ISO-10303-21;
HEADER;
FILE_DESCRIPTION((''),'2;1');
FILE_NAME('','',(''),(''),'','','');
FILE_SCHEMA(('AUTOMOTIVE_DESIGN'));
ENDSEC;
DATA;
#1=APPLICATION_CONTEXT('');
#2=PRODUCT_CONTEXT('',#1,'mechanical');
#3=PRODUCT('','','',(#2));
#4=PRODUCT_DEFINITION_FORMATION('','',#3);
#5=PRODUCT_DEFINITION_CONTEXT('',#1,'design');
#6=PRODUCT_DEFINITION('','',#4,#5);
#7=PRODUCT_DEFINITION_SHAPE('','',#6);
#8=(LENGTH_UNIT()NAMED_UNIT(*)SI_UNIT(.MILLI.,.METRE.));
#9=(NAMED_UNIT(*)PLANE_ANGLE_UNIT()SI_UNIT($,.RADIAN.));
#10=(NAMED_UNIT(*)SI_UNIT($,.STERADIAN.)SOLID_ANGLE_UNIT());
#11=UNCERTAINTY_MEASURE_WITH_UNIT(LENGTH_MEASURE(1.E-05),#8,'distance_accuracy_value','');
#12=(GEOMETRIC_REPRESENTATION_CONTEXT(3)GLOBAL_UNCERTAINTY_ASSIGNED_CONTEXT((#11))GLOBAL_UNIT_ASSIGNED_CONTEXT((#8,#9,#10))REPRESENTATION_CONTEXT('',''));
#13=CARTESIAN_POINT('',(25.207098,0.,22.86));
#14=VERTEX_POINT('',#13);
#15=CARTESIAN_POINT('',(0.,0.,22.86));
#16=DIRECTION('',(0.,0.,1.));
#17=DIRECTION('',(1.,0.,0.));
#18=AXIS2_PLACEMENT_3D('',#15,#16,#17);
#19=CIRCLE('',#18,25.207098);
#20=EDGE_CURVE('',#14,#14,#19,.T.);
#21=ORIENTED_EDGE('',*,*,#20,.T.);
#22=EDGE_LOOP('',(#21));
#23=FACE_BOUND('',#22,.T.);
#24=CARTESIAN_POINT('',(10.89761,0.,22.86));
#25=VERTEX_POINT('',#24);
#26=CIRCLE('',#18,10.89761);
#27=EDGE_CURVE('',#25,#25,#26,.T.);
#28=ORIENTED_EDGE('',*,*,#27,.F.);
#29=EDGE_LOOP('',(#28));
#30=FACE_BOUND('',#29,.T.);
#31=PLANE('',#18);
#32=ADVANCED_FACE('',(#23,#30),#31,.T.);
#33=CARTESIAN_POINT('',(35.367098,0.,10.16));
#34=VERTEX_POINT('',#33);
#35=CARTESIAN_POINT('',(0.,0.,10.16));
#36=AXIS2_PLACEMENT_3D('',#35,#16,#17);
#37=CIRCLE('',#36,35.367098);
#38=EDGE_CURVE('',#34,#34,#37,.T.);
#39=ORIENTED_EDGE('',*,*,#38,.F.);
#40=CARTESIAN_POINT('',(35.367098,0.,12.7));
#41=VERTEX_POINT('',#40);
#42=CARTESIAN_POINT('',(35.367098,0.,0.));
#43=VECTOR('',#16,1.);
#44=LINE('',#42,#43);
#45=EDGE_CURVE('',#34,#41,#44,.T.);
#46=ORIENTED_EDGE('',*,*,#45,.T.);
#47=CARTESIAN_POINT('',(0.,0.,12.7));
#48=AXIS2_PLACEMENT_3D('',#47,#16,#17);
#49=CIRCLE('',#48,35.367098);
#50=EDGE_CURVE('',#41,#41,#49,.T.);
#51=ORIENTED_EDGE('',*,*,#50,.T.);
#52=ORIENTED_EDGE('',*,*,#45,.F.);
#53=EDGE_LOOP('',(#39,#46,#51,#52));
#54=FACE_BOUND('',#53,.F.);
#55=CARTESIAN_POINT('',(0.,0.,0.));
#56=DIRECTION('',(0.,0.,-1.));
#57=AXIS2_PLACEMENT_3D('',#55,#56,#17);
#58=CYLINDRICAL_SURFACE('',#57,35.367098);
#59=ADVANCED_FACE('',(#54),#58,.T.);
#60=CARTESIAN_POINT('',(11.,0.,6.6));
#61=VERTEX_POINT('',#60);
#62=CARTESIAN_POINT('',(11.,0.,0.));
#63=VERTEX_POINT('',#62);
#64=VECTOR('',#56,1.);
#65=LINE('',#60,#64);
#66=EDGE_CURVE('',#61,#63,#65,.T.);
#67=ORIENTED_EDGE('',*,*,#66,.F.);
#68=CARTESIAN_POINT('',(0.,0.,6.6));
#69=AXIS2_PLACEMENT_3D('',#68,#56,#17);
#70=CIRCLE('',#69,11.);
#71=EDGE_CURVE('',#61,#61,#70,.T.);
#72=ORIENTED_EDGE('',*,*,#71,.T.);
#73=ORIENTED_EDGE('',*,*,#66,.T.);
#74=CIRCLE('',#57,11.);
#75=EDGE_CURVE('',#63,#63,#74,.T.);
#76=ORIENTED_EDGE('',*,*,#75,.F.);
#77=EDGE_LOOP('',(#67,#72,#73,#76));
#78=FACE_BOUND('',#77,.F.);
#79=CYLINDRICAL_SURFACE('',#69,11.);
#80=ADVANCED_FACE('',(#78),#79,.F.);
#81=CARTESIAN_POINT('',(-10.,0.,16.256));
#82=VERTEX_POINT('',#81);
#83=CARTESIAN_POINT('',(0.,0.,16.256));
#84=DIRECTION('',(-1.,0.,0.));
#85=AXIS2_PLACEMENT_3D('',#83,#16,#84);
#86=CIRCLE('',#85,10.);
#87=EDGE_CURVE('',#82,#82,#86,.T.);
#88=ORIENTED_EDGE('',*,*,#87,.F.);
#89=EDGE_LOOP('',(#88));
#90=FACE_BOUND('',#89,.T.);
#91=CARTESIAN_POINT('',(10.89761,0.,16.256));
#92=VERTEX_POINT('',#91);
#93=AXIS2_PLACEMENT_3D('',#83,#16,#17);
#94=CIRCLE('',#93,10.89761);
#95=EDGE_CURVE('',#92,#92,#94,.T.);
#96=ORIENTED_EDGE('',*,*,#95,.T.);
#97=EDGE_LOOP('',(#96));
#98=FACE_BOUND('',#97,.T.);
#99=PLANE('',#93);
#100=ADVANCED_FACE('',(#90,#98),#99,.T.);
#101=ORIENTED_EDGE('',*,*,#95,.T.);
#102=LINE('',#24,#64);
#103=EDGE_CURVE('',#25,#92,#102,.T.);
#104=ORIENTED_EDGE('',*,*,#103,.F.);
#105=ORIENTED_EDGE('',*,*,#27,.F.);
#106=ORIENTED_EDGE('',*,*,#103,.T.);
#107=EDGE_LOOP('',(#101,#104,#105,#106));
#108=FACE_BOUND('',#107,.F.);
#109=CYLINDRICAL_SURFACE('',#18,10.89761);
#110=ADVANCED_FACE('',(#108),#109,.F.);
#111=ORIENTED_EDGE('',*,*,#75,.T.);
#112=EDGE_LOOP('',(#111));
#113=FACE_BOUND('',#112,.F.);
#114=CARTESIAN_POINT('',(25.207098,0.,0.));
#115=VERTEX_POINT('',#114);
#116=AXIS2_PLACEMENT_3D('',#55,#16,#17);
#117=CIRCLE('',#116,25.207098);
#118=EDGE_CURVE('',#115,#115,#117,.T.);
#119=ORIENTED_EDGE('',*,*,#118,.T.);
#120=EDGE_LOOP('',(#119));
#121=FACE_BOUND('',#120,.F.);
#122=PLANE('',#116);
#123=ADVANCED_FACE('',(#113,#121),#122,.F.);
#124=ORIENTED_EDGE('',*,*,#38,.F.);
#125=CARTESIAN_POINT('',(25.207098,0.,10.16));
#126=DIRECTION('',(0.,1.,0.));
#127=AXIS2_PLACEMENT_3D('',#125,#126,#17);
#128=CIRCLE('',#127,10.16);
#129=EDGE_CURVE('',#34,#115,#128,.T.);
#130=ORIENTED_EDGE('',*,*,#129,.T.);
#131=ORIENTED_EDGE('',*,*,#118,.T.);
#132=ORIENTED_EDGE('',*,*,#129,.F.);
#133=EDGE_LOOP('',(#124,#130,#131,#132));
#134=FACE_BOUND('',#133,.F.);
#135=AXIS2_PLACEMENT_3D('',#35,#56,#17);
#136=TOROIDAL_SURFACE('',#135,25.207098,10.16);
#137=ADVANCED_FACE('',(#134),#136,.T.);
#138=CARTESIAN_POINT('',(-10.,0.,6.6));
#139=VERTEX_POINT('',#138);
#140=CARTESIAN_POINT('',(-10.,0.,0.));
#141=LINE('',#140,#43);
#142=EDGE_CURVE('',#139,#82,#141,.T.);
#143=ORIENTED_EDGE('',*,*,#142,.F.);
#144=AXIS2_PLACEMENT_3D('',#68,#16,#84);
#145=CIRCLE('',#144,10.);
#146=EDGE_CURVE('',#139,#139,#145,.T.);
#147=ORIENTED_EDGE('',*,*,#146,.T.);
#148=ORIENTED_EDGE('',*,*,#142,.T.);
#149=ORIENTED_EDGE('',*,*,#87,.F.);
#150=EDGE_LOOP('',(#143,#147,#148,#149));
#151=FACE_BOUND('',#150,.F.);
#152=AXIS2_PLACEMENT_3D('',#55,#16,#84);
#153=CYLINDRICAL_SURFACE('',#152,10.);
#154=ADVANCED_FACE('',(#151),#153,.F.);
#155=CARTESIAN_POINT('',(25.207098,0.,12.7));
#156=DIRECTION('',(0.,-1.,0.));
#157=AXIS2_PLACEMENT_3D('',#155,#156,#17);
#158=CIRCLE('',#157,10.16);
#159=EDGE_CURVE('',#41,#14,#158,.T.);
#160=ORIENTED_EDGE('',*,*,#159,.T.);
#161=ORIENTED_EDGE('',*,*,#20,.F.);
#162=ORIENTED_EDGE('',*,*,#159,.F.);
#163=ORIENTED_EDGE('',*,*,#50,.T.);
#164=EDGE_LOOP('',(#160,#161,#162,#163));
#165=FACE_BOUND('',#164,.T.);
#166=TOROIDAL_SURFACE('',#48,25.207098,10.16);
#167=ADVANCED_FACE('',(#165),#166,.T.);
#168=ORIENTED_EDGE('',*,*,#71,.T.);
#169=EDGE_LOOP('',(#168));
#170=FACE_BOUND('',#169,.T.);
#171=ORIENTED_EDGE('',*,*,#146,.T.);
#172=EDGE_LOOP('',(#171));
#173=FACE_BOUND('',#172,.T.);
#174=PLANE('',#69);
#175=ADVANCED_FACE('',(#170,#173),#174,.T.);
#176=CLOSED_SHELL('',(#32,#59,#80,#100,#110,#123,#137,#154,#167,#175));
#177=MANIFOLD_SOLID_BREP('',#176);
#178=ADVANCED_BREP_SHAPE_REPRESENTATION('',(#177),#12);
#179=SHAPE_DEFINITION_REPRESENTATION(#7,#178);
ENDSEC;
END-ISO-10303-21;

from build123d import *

# Parameters (mm, degrees)
F0_R           = 35.367098
F1_DEPTH       = 22.86
F2_D           = 20
F2_CBORE_D     = 22
F2_CBORE_DEPTH = 6.6
F3_R           = 10.89761
F4_DEPTH       = 6.604
F5_R           = 10.16


with BuildPart() as f1:
    # F0 (on Top) → F1 (new body)
    with BuildSketch(Plane.XY):
        Circle(F0_R)
    extrude(amount=F1_DEPTH)

    # F2 (through all)
    with Locations(Plane(origin=(0, 0, 0), x_dir=(1, 0, 0), z_dir=(0, 0, -1))):
        with Locations((0, 0)):
            CounterBoreHole(F2_D / 2, F2_CBORE_D / 2, F2_CBORE_DEPTH)

    # F3 (on face) → F4 (cut)
    with BuildSketch(Plane.XY.offset(22.86)):
        Circle(F3_R)
    extrude(amount=-F4_DEPTH, mode=Mode.SUBTRACT)

    # F5
    f5_edges = [f1.edges().sort_by_distance(p)[0] for p in [
        (35.367098, 0, 11.43),
        (-35.367098, 0, 0),
        (-35.367098, 0, 22.86),
    ]]
    fillet(f5_edges, radius=F5_R)


solid = f1.part
